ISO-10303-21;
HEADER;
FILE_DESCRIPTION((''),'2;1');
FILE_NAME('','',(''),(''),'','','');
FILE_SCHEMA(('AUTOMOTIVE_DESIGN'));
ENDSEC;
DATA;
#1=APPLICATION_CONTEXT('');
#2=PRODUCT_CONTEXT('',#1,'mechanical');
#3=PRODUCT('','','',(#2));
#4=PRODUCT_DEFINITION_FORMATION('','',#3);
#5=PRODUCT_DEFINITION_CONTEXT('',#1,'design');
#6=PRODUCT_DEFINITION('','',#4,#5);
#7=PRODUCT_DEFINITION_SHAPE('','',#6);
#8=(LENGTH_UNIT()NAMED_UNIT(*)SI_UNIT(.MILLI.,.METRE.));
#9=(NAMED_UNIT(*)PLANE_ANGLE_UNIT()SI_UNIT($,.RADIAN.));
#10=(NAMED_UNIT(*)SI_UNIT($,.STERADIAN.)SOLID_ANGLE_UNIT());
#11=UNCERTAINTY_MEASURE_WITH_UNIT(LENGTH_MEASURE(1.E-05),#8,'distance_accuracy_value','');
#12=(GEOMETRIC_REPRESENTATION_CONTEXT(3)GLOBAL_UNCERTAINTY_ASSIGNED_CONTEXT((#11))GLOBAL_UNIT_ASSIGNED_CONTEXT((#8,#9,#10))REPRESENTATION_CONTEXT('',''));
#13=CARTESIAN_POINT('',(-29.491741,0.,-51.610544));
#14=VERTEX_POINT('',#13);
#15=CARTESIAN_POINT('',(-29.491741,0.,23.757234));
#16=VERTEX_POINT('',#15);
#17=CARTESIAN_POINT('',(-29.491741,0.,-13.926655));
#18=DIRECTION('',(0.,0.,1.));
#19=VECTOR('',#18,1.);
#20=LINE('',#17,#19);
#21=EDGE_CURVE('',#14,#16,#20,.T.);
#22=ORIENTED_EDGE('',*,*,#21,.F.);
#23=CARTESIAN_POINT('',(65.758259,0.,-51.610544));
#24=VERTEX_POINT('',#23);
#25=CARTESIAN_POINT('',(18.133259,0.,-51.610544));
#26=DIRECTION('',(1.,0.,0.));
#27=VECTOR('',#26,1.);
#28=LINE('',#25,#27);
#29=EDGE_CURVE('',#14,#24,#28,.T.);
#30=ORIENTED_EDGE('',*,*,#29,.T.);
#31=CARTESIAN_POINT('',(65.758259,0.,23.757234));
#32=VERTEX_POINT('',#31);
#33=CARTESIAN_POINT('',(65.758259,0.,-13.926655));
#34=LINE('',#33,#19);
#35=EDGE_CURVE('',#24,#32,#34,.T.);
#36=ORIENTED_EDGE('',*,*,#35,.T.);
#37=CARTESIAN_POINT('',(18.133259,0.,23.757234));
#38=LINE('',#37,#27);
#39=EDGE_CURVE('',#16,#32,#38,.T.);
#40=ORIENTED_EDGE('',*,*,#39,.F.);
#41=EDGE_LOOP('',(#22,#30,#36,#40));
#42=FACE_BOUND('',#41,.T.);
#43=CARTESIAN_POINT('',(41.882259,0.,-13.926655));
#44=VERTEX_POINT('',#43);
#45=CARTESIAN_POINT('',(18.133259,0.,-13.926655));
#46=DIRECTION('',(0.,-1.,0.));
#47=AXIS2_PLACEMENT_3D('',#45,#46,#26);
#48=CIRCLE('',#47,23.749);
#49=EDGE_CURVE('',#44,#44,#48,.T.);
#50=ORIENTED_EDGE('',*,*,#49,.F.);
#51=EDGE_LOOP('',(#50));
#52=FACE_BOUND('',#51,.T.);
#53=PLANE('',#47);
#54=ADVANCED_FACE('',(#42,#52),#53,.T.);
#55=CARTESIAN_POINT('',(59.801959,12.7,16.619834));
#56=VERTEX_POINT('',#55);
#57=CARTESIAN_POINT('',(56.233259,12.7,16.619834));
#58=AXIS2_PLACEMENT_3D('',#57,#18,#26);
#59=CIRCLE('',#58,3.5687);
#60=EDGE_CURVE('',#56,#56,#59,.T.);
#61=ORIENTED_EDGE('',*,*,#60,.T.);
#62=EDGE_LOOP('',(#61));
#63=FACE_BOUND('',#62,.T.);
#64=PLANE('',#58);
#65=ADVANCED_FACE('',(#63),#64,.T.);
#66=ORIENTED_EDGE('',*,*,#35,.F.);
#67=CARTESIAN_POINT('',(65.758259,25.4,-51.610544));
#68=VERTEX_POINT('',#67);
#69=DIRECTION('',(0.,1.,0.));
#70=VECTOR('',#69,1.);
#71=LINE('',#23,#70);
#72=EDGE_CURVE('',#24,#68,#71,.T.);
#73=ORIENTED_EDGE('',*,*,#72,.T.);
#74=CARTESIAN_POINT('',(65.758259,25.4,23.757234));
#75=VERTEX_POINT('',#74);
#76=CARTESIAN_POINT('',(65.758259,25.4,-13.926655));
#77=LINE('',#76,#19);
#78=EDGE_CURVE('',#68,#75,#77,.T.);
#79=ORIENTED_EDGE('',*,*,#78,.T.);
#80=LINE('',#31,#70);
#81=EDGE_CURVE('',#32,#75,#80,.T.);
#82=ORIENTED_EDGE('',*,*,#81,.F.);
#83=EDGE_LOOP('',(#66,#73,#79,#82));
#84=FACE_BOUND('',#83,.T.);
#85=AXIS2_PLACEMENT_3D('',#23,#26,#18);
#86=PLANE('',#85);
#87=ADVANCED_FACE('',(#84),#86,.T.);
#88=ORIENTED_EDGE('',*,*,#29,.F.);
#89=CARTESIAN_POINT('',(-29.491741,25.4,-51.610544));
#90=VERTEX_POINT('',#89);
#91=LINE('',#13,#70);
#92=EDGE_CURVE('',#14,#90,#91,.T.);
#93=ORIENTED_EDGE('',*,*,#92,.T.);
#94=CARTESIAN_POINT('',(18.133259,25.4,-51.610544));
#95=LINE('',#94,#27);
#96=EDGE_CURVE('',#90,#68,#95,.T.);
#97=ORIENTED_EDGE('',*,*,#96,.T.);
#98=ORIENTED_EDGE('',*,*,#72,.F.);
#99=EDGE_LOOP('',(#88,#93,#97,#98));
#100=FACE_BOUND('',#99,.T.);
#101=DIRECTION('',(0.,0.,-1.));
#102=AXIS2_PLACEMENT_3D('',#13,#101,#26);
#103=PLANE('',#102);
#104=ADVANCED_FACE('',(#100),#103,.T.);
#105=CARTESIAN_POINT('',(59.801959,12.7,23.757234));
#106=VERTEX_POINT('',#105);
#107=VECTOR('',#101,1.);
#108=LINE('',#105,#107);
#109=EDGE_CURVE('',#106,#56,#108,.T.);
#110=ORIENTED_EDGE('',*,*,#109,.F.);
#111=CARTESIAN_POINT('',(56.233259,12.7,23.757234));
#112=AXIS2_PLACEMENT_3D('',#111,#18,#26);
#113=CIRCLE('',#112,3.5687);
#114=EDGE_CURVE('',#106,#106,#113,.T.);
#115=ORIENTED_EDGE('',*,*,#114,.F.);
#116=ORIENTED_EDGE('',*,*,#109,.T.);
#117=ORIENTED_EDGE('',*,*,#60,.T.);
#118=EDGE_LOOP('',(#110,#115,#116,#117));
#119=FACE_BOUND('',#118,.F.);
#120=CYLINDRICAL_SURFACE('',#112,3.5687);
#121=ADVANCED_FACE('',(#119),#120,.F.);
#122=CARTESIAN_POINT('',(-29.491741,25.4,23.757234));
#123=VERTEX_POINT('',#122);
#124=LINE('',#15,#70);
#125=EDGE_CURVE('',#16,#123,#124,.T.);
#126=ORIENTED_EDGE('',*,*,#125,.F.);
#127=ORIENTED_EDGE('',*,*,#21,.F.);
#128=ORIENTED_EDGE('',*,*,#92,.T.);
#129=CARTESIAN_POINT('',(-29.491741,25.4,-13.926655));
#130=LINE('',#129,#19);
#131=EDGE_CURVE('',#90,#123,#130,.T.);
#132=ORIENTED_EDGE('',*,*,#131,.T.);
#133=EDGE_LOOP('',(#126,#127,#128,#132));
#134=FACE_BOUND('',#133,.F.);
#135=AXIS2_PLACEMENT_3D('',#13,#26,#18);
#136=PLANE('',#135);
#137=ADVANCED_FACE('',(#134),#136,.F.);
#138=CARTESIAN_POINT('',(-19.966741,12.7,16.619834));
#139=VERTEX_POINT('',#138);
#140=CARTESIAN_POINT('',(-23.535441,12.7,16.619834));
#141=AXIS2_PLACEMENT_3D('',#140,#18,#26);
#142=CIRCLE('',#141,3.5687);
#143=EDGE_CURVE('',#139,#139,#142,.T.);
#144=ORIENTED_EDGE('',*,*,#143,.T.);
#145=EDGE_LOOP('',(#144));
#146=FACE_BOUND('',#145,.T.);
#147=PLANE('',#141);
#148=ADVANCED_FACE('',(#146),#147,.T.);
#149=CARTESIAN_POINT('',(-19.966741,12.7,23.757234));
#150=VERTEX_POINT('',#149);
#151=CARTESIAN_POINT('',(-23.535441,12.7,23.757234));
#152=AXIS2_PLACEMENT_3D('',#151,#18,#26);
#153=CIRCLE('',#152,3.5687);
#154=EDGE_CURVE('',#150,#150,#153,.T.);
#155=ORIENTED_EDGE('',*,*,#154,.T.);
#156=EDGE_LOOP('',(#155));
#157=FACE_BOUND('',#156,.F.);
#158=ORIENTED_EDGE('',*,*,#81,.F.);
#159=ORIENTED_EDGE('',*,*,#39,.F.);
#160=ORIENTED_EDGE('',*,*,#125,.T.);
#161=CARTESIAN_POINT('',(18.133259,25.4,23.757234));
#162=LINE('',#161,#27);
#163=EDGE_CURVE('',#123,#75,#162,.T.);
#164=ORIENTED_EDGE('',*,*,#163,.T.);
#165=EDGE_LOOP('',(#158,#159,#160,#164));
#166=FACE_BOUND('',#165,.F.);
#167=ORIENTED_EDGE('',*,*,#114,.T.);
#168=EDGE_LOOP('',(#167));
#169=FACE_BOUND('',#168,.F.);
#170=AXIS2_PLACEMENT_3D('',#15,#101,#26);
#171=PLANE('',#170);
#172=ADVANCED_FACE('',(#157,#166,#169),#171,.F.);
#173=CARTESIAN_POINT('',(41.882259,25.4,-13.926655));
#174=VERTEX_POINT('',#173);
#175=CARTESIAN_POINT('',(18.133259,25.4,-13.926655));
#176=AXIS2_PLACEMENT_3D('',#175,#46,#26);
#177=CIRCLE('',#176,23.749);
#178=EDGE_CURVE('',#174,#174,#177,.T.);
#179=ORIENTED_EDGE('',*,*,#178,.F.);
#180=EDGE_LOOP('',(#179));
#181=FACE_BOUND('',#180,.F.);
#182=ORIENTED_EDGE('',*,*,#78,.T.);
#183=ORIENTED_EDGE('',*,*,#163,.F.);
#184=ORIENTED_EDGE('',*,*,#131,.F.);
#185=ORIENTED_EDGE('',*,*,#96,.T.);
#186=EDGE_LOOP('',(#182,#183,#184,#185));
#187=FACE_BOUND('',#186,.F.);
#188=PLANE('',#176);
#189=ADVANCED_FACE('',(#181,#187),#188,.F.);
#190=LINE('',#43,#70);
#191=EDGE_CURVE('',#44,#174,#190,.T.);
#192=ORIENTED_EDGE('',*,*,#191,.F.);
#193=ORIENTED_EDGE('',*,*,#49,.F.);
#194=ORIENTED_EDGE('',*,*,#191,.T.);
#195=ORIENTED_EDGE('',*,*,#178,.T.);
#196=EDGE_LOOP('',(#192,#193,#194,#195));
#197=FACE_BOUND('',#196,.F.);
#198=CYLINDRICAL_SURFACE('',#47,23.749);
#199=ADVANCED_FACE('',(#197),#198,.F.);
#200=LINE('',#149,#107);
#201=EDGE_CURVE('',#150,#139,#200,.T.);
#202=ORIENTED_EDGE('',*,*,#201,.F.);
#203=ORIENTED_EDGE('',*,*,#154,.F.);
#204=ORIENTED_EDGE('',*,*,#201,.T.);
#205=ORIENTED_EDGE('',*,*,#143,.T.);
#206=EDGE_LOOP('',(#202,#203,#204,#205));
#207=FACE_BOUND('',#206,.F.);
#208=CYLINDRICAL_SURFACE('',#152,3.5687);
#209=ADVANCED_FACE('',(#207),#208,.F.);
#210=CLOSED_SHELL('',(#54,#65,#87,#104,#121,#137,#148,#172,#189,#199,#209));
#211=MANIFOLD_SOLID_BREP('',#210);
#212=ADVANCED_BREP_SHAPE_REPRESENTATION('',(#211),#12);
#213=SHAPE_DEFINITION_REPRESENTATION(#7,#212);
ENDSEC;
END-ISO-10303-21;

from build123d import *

# Parameters (mm, degrees)
F0_W     = 95.25
F0_H     = 75.367778
F0_R     = 23.749
F1_DEPTH = 25.4
F2_R     = 3.5687
F3_DEPTH = 7.1374


with BuildPart() as f1:
    # F0 (on Front) → F1 (new body)
    with BuildSketch(Plane.XZ):
        with Locations((18.133259, -13.926655)):
            Rectangle(F0_W, F0_H)
        with Locations((18.133259, -13.926655)):
            Circle(F0_R, mode=Mode.SUBTRACT)
    extrude(amount=-F1_DEPTH)

    # F2 (on face) → F3 (cut)
    with BuildSketch(Plane.XY.offset(23.757234)):
        with Locations((-23.535441, 12.7)):
            Circle(F2_R)
        with Locations((56.233259, 12.7)):
            Circle(F2_R)
    extrude(amount=-F3_DEPTH, mode=Mode.SUBTRACT)


solid = f1.part
